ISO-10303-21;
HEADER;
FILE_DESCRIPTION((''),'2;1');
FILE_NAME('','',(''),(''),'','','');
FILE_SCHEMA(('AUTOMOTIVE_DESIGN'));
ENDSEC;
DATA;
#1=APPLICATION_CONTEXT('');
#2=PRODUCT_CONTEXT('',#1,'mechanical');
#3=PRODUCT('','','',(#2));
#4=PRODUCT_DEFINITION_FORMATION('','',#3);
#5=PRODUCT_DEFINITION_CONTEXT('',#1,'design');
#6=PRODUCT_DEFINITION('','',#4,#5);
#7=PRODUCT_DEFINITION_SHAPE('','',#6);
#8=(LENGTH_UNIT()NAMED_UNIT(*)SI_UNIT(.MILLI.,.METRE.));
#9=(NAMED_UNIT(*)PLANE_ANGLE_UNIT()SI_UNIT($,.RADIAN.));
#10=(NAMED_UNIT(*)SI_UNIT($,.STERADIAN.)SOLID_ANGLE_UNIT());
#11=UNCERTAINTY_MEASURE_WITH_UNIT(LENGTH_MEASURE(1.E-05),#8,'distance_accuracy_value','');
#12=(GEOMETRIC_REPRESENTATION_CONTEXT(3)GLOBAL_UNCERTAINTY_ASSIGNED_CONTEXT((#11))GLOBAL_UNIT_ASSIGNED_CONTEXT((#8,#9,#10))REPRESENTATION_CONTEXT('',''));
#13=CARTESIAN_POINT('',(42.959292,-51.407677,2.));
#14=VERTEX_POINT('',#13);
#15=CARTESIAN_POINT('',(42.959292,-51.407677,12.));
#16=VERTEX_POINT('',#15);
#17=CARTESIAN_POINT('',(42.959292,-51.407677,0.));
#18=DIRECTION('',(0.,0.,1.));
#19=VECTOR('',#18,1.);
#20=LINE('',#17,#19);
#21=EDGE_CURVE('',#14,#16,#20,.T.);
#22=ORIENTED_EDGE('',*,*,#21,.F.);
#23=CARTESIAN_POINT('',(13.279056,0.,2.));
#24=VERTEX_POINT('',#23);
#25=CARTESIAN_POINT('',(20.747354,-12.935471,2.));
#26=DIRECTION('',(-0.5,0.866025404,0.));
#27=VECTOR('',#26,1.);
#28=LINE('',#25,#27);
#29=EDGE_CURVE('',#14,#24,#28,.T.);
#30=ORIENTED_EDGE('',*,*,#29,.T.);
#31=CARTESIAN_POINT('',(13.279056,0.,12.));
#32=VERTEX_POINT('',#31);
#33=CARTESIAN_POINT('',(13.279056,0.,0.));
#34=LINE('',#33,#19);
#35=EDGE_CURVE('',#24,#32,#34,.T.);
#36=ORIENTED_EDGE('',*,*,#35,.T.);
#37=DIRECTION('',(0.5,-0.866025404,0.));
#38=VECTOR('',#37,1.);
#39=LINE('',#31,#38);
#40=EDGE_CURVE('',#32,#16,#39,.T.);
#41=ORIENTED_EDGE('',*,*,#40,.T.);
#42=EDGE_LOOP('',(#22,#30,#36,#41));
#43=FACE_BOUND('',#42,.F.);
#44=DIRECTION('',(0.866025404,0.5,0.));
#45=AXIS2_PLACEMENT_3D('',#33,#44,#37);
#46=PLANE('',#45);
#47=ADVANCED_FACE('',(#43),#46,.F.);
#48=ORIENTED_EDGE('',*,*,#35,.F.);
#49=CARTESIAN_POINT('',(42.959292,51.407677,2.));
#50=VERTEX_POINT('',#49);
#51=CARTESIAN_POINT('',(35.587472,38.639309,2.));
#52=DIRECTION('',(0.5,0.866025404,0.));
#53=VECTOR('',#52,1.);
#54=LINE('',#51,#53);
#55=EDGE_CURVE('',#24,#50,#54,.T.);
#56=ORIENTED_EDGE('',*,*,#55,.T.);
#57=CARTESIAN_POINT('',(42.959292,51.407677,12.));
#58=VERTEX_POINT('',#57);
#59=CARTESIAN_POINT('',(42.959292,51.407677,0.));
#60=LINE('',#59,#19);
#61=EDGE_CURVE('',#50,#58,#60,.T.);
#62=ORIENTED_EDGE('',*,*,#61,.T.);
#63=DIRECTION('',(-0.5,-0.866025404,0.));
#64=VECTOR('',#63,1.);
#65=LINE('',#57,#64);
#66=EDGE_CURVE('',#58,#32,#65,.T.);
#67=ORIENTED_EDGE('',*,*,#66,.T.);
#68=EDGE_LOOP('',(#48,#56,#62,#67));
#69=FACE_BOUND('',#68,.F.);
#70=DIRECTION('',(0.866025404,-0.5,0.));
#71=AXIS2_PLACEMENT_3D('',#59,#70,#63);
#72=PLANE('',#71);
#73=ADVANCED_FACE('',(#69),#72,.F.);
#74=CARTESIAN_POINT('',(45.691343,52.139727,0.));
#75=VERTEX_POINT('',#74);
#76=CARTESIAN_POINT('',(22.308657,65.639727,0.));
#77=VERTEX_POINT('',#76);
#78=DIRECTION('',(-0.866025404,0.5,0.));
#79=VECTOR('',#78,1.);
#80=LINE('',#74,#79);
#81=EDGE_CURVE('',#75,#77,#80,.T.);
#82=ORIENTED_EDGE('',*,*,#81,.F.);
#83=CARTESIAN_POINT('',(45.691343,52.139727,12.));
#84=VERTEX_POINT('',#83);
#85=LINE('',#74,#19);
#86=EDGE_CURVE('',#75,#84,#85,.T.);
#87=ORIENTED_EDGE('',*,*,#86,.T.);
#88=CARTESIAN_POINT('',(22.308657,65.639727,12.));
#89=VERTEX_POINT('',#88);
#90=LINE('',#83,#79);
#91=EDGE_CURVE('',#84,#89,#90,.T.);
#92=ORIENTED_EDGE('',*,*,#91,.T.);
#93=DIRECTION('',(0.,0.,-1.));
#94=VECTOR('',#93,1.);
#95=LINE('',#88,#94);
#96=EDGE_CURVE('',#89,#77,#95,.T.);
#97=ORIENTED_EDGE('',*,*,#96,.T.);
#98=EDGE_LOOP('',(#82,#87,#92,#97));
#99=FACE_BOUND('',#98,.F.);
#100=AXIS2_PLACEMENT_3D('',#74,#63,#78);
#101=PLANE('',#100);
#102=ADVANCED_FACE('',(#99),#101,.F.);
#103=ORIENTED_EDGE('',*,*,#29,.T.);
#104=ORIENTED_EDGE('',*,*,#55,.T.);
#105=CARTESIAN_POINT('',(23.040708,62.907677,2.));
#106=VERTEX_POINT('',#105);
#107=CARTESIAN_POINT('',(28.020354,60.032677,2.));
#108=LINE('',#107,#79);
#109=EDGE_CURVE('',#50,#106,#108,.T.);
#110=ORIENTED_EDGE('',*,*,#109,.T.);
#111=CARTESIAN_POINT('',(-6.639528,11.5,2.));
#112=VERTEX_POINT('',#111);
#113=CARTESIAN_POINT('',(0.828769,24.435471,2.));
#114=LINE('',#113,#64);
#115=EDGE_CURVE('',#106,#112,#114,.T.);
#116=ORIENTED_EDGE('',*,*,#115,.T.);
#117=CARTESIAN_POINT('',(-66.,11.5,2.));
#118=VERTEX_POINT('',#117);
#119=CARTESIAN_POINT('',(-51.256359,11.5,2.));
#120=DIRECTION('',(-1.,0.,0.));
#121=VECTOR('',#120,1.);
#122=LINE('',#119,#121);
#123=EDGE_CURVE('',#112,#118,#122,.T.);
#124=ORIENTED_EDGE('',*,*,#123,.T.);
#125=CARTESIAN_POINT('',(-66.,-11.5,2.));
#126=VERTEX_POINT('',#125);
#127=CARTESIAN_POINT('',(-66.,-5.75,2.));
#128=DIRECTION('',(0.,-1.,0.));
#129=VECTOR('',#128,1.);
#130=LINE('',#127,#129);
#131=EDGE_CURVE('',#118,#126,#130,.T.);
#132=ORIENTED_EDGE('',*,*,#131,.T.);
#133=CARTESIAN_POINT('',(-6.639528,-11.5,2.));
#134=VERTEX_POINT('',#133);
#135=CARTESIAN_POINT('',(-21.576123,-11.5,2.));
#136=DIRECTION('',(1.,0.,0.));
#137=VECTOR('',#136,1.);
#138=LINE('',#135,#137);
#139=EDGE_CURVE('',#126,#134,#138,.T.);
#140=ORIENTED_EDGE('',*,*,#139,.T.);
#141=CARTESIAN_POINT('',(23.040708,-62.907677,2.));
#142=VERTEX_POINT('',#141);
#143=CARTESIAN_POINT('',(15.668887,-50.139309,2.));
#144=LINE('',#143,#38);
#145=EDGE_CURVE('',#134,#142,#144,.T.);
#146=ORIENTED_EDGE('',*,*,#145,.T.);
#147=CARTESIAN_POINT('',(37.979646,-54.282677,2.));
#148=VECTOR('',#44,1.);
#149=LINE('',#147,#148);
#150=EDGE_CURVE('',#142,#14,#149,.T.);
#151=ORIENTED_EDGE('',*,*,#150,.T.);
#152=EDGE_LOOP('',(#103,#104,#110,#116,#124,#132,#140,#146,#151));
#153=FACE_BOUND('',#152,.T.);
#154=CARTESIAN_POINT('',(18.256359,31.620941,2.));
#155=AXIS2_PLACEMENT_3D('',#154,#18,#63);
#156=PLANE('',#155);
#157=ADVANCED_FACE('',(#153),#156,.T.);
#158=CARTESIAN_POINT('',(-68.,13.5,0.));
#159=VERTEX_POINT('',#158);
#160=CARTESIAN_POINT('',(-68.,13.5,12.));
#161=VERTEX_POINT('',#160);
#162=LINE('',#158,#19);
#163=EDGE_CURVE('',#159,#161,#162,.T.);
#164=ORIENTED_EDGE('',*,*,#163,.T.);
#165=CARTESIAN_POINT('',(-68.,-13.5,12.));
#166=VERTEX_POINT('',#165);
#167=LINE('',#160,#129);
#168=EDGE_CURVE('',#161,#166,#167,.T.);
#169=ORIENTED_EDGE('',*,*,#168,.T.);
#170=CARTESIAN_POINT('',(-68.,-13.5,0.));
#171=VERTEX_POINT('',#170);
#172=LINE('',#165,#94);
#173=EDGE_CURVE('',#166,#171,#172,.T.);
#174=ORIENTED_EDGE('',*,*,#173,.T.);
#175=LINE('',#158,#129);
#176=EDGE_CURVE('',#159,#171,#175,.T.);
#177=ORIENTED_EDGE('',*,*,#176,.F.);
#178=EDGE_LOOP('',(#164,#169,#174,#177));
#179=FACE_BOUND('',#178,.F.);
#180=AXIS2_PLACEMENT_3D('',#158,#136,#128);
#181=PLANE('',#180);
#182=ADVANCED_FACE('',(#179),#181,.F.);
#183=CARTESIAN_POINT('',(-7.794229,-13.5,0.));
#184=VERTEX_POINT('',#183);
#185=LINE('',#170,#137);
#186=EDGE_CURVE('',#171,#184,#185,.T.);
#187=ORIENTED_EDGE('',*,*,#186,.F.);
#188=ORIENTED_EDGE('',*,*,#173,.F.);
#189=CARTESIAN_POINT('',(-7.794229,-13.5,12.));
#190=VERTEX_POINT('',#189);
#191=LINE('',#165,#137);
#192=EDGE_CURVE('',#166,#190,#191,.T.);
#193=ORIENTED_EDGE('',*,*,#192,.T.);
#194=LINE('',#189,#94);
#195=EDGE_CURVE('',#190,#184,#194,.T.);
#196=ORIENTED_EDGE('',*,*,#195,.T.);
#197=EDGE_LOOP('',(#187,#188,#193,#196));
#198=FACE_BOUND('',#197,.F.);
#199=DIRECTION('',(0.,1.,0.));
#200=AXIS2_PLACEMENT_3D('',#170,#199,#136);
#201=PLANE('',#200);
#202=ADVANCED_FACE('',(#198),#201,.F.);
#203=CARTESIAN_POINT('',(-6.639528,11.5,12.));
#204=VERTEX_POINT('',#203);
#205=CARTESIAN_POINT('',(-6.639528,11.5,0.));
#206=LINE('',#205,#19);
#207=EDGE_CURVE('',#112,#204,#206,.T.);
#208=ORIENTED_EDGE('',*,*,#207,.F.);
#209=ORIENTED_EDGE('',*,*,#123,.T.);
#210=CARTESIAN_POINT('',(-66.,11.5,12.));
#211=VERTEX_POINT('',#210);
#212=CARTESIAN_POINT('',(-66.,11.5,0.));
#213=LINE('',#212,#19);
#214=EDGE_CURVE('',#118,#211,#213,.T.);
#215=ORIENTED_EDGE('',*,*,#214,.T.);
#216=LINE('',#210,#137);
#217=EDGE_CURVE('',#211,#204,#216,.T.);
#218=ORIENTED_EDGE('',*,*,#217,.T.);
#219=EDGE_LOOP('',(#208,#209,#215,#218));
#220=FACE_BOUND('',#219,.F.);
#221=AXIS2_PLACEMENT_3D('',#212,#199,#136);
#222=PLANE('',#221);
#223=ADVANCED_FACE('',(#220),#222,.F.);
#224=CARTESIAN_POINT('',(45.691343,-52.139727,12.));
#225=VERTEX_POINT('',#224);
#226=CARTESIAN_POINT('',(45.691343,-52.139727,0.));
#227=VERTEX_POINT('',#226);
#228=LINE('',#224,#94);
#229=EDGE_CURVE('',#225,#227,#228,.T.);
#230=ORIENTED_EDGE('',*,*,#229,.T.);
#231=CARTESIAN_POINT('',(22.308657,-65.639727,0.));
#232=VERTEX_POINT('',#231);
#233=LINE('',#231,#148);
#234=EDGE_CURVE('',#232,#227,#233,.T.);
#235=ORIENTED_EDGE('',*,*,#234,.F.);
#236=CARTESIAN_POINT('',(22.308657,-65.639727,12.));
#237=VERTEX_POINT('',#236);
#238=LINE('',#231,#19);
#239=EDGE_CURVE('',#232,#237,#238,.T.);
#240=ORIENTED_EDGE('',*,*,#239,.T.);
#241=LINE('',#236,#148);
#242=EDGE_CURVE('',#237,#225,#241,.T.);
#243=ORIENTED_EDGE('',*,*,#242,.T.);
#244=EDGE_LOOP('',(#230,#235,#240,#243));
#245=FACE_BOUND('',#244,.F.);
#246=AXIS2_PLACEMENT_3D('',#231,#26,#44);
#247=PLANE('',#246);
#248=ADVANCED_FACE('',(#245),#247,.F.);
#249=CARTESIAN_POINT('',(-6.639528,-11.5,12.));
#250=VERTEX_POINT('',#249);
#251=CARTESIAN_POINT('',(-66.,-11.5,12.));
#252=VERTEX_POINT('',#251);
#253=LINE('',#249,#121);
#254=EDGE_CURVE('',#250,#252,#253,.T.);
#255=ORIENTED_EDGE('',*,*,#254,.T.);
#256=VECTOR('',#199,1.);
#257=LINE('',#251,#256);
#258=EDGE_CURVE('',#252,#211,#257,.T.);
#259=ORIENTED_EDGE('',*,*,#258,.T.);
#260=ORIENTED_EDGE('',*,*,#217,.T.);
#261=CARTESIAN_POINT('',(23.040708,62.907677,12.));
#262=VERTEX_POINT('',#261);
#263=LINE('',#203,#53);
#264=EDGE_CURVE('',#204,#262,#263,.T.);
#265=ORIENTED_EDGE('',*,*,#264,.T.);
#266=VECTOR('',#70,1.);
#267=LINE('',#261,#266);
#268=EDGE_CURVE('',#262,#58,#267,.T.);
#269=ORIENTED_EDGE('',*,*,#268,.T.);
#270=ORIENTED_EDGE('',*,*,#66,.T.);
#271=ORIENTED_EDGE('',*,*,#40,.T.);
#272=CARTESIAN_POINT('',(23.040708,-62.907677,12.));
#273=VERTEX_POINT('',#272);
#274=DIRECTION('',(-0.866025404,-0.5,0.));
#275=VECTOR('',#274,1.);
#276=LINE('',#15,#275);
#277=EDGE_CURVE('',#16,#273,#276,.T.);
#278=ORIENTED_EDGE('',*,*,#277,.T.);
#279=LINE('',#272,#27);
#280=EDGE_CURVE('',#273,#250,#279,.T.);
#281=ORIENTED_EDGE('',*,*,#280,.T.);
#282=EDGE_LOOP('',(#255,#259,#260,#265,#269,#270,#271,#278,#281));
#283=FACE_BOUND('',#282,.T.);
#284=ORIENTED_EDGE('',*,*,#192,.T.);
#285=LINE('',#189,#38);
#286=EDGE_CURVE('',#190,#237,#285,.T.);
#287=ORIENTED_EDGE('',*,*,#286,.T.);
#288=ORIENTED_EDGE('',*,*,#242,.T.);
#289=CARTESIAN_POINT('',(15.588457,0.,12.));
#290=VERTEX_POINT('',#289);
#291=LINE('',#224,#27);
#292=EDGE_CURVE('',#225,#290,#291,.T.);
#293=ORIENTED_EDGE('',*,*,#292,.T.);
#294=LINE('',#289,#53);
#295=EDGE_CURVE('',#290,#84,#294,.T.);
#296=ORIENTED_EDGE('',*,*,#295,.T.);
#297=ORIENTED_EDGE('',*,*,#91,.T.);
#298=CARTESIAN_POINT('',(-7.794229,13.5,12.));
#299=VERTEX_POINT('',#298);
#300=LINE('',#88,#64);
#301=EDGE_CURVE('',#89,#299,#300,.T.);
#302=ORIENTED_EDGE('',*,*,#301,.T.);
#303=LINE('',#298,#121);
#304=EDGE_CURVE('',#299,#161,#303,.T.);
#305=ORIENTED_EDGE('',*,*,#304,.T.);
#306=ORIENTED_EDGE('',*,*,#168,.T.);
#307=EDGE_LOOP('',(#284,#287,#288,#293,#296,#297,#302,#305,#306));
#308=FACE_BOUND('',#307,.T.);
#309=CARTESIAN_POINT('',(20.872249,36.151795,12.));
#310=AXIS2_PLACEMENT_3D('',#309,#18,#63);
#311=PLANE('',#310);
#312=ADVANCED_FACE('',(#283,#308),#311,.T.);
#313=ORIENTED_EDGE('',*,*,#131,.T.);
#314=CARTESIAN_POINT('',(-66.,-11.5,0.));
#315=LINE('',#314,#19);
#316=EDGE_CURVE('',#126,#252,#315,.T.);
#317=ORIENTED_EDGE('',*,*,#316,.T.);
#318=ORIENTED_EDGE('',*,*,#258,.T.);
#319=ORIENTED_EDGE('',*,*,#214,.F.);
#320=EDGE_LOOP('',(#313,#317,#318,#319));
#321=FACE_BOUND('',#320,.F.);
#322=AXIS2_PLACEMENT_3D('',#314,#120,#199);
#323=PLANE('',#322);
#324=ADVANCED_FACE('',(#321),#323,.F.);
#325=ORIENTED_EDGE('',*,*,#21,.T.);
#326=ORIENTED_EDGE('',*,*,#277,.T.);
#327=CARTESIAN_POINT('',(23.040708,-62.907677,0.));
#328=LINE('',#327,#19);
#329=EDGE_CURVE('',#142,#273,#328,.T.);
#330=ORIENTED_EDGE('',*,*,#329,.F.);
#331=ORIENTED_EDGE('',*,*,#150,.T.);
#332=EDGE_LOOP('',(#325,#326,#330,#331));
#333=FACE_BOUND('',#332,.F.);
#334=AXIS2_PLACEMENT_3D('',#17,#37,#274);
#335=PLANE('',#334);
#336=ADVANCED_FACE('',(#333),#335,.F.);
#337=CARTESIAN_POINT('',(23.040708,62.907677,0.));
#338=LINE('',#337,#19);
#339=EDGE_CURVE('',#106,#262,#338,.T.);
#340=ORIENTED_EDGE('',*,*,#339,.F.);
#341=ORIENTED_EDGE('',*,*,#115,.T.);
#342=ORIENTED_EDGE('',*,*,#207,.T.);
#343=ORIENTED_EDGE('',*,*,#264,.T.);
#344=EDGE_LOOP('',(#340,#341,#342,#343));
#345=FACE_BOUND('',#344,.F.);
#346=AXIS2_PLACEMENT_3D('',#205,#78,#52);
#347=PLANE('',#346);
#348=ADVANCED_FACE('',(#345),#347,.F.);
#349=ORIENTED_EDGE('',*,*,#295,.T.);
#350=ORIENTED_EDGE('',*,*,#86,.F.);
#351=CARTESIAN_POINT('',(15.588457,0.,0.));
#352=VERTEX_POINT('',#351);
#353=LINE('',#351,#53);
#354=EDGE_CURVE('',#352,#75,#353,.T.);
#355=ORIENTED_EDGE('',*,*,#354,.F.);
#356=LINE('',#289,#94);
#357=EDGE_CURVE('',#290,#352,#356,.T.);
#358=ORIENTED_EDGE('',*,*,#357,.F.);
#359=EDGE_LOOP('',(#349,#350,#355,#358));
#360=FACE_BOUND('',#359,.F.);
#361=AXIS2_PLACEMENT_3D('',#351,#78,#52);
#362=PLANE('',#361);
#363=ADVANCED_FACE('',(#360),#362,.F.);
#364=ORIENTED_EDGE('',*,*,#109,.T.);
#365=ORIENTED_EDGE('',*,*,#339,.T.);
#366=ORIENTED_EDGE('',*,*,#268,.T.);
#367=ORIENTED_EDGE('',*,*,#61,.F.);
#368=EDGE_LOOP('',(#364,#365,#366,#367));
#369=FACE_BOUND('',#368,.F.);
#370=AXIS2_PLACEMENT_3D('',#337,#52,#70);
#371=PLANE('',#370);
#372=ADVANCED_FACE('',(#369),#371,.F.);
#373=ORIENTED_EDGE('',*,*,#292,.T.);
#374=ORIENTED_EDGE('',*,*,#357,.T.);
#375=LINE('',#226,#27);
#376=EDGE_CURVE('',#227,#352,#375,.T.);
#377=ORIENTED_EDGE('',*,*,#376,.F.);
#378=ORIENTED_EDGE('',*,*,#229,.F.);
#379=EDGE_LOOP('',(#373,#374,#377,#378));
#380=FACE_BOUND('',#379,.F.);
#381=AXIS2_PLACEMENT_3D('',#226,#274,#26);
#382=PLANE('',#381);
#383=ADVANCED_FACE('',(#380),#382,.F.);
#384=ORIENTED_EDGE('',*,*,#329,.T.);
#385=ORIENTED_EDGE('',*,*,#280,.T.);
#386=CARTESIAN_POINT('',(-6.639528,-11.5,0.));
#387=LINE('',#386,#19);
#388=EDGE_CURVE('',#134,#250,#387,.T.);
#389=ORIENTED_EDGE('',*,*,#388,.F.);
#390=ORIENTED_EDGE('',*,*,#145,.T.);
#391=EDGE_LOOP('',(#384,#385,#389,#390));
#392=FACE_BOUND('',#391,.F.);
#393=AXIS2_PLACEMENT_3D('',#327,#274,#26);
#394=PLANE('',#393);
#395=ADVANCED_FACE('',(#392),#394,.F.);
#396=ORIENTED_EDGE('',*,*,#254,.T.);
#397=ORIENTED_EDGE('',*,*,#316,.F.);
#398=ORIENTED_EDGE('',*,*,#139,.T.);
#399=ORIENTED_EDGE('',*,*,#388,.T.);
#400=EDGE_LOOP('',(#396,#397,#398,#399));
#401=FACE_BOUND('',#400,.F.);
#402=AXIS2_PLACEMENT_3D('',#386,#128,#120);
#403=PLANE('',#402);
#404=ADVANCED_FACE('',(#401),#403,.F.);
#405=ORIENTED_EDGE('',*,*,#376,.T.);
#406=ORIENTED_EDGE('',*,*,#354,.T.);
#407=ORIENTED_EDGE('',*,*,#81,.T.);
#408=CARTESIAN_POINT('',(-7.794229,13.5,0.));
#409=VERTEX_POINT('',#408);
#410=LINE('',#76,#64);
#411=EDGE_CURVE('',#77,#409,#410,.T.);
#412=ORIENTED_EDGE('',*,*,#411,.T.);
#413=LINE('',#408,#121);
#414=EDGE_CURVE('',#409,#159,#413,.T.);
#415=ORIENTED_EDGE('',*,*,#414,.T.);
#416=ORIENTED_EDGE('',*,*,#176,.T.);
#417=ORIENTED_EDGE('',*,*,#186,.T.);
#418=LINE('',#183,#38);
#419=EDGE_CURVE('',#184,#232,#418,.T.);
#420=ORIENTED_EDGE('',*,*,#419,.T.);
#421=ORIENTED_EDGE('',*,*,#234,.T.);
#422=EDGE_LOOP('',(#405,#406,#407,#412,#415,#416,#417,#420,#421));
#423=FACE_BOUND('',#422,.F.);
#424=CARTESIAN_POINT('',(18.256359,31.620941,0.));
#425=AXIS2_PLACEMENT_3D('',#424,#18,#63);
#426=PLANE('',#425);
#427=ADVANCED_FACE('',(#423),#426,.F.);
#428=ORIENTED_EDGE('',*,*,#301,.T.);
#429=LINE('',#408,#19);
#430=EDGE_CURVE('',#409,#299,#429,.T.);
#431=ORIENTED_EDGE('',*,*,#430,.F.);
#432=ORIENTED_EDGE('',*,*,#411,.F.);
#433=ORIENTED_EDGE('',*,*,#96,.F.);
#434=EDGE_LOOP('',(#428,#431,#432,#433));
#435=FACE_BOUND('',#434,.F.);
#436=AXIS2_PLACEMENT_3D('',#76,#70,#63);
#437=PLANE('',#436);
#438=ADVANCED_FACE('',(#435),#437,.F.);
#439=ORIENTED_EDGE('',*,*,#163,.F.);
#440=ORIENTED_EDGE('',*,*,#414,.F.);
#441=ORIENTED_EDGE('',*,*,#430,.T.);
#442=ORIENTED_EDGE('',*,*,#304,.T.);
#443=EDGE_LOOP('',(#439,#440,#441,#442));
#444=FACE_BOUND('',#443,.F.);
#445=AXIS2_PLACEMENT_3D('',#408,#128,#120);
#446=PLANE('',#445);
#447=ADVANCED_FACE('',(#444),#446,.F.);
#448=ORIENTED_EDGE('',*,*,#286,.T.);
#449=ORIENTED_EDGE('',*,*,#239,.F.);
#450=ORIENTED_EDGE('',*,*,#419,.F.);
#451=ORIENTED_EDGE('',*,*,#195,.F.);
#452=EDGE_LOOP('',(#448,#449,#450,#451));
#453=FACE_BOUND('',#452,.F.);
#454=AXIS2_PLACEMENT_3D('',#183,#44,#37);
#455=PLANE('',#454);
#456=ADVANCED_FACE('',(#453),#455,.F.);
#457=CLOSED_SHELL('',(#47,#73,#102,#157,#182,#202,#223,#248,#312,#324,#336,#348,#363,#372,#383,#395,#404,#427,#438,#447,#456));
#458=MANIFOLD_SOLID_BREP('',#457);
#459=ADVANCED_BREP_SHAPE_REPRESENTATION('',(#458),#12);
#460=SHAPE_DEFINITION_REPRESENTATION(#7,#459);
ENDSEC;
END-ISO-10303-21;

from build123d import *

# Parameters (mm, degrees)
PAD002_DEPTH = 12
PAD_DEPTH    = 2
ARRAY_COUNT  = 3


with BuildPart() as pad002:
    # Sketch002 → Pad002 (new body)
    with BuildSketch(Plane.XY):
        Polygon((-6.6395280957, 11.5), (-7.7942286341, 13.5), (-68, 13.5), (-68, -13.5), (-7.7942286341, -13.5), (-6.6395280957, -11.5), (-66, -11.5), (-66, 11.5), align=None)
    extrude(amount=PAD002_DEPTH)


with BuildPart() as array:
    # Sketch → Pad (new body)
    with BuildSketch(Plane.XY):
        Polygon((0, 0), (-7.7942286341, 13.5), (-68, 13.5), (-68, -13.5), (-7.7942286341, -13.5), align=None)
    extrude(amount=PAD_DEPTH)

    # Fusion: union Pad002
    add(pad002.part)

    # Array: Array ×3 about axis
    array_axis = Axis((0, 0, 0), (0, 0, 1))


with BuildPart() as array_1:
    add(array.part)
    for i in range(1, ARRAY_COUNT):
        add(array.part.rotate(array_axis, i * 360 / ARRAY_COUNT))


solid = array_1.part
